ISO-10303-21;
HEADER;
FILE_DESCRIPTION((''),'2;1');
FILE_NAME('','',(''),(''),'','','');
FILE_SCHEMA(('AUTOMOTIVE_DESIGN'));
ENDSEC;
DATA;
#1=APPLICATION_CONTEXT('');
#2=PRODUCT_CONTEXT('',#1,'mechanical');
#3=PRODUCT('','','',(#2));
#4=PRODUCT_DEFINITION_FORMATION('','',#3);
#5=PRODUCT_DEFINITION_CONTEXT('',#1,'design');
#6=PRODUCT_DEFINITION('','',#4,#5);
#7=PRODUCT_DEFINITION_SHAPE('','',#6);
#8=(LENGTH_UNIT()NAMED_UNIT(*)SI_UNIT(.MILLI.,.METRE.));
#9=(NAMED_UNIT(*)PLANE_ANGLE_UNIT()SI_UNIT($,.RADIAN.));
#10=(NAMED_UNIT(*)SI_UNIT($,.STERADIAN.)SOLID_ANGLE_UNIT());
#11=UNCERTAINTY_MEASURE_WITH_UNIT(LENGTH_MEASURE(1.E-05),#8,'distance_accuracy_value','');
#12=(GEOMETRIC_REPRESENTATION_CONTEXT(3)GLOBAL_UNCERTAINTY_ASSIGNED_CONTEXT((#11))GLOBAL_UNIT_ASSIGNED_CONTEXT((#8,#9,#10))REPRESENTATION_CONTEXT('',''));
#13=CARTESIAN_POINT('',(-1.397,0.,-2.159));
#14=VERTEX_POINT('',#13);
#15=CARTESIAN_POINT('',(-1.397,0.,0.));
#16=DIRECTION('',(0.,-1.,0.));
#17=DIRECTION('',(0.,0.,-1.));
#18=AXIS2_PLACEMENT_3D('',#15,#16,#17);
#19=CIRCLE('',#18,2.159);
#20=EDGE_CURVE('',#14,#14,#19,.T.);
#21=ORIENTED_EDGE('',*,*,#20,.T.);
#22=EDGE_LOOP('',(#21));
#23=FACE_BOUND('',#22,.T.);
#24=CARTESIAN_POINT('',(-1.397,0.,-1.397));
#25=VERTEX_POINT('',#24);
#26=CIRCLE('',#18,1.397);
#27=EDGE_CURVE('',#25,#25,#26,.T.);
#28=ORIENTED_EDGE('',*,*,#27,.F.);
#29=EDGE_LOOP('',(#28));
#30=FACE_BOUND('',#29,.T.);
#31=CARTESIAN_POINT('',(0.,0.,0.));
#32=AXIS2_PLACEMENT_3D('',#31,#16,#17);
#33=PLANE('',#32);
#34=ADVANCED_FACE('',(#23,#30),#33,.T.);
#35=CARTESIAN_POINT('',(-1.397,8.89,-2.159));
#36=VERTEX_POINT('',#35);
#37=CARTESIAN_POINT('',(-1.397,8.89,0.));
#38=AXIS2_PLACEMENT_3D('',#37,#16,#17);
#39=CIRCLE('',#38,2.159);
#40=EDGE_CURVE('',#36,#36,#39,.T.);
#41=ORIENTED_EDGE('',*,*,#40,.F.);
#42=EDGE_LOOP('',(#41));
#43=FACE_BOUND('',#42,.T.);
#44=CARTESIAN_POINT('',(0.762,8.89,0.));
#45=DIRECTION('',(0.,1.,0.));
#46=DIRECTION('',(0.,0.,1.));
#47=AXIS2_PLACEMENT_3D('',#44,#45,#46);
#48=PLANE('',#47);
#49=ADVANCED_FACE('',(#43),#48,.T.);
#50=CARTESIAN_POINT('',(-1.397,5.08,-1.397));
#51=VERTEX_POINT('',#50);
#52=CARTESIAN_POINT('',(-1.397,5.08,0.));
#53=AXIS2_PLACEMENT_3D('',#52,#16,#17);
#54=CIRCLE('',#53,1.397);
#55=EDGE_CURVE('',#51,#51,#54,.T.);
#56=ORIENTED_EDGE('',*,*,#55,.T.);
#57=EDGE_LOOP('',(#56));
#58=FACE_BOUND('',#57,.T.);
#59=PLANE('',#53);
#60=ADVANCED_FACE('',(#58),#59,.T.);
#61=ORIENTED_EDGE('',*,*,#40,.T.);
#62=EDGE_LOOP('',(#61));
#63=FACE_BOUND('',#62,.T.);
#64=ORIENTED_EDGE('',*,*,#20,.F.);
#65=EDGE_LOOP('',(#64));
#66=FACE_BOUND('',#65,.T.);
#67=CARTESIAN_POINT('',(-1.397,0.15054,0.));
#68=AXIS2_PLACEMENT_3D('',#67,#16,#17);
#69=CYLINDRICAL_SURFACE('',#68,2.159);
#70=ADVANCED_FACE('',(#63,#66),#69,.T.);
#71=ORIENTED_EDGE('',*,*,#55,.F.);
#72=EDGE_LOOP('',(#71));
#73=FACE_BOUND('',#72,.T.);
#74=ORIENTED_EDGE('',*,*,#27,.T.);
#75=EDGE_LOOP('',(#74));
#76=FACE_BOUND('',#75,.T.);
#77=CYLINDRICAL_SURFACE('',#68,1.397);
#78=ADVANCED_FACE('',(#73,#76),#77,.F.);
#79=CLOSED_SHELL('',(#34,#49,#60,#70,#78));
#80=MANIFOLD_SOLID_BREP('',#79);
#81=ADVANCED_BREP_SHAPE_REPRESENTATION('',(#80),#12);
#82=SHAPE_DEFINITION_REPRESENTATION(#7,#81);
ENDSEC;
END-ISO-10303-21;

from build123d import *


with BuildPart() as part:
    # Sketch1 → Revolve1 (revolve)
    with BuildSketch(Plane.XY):
        Polygon((0, 0), (0.762, 0), (0.762, 8.89), (-1.397, 8.89), (-1.397, 5.08), (0, 5.08), align=None)
    revolve(axis=Axis((-1.397, 0.150539844, 0), (0, 1, 0)))


solid = part.part
